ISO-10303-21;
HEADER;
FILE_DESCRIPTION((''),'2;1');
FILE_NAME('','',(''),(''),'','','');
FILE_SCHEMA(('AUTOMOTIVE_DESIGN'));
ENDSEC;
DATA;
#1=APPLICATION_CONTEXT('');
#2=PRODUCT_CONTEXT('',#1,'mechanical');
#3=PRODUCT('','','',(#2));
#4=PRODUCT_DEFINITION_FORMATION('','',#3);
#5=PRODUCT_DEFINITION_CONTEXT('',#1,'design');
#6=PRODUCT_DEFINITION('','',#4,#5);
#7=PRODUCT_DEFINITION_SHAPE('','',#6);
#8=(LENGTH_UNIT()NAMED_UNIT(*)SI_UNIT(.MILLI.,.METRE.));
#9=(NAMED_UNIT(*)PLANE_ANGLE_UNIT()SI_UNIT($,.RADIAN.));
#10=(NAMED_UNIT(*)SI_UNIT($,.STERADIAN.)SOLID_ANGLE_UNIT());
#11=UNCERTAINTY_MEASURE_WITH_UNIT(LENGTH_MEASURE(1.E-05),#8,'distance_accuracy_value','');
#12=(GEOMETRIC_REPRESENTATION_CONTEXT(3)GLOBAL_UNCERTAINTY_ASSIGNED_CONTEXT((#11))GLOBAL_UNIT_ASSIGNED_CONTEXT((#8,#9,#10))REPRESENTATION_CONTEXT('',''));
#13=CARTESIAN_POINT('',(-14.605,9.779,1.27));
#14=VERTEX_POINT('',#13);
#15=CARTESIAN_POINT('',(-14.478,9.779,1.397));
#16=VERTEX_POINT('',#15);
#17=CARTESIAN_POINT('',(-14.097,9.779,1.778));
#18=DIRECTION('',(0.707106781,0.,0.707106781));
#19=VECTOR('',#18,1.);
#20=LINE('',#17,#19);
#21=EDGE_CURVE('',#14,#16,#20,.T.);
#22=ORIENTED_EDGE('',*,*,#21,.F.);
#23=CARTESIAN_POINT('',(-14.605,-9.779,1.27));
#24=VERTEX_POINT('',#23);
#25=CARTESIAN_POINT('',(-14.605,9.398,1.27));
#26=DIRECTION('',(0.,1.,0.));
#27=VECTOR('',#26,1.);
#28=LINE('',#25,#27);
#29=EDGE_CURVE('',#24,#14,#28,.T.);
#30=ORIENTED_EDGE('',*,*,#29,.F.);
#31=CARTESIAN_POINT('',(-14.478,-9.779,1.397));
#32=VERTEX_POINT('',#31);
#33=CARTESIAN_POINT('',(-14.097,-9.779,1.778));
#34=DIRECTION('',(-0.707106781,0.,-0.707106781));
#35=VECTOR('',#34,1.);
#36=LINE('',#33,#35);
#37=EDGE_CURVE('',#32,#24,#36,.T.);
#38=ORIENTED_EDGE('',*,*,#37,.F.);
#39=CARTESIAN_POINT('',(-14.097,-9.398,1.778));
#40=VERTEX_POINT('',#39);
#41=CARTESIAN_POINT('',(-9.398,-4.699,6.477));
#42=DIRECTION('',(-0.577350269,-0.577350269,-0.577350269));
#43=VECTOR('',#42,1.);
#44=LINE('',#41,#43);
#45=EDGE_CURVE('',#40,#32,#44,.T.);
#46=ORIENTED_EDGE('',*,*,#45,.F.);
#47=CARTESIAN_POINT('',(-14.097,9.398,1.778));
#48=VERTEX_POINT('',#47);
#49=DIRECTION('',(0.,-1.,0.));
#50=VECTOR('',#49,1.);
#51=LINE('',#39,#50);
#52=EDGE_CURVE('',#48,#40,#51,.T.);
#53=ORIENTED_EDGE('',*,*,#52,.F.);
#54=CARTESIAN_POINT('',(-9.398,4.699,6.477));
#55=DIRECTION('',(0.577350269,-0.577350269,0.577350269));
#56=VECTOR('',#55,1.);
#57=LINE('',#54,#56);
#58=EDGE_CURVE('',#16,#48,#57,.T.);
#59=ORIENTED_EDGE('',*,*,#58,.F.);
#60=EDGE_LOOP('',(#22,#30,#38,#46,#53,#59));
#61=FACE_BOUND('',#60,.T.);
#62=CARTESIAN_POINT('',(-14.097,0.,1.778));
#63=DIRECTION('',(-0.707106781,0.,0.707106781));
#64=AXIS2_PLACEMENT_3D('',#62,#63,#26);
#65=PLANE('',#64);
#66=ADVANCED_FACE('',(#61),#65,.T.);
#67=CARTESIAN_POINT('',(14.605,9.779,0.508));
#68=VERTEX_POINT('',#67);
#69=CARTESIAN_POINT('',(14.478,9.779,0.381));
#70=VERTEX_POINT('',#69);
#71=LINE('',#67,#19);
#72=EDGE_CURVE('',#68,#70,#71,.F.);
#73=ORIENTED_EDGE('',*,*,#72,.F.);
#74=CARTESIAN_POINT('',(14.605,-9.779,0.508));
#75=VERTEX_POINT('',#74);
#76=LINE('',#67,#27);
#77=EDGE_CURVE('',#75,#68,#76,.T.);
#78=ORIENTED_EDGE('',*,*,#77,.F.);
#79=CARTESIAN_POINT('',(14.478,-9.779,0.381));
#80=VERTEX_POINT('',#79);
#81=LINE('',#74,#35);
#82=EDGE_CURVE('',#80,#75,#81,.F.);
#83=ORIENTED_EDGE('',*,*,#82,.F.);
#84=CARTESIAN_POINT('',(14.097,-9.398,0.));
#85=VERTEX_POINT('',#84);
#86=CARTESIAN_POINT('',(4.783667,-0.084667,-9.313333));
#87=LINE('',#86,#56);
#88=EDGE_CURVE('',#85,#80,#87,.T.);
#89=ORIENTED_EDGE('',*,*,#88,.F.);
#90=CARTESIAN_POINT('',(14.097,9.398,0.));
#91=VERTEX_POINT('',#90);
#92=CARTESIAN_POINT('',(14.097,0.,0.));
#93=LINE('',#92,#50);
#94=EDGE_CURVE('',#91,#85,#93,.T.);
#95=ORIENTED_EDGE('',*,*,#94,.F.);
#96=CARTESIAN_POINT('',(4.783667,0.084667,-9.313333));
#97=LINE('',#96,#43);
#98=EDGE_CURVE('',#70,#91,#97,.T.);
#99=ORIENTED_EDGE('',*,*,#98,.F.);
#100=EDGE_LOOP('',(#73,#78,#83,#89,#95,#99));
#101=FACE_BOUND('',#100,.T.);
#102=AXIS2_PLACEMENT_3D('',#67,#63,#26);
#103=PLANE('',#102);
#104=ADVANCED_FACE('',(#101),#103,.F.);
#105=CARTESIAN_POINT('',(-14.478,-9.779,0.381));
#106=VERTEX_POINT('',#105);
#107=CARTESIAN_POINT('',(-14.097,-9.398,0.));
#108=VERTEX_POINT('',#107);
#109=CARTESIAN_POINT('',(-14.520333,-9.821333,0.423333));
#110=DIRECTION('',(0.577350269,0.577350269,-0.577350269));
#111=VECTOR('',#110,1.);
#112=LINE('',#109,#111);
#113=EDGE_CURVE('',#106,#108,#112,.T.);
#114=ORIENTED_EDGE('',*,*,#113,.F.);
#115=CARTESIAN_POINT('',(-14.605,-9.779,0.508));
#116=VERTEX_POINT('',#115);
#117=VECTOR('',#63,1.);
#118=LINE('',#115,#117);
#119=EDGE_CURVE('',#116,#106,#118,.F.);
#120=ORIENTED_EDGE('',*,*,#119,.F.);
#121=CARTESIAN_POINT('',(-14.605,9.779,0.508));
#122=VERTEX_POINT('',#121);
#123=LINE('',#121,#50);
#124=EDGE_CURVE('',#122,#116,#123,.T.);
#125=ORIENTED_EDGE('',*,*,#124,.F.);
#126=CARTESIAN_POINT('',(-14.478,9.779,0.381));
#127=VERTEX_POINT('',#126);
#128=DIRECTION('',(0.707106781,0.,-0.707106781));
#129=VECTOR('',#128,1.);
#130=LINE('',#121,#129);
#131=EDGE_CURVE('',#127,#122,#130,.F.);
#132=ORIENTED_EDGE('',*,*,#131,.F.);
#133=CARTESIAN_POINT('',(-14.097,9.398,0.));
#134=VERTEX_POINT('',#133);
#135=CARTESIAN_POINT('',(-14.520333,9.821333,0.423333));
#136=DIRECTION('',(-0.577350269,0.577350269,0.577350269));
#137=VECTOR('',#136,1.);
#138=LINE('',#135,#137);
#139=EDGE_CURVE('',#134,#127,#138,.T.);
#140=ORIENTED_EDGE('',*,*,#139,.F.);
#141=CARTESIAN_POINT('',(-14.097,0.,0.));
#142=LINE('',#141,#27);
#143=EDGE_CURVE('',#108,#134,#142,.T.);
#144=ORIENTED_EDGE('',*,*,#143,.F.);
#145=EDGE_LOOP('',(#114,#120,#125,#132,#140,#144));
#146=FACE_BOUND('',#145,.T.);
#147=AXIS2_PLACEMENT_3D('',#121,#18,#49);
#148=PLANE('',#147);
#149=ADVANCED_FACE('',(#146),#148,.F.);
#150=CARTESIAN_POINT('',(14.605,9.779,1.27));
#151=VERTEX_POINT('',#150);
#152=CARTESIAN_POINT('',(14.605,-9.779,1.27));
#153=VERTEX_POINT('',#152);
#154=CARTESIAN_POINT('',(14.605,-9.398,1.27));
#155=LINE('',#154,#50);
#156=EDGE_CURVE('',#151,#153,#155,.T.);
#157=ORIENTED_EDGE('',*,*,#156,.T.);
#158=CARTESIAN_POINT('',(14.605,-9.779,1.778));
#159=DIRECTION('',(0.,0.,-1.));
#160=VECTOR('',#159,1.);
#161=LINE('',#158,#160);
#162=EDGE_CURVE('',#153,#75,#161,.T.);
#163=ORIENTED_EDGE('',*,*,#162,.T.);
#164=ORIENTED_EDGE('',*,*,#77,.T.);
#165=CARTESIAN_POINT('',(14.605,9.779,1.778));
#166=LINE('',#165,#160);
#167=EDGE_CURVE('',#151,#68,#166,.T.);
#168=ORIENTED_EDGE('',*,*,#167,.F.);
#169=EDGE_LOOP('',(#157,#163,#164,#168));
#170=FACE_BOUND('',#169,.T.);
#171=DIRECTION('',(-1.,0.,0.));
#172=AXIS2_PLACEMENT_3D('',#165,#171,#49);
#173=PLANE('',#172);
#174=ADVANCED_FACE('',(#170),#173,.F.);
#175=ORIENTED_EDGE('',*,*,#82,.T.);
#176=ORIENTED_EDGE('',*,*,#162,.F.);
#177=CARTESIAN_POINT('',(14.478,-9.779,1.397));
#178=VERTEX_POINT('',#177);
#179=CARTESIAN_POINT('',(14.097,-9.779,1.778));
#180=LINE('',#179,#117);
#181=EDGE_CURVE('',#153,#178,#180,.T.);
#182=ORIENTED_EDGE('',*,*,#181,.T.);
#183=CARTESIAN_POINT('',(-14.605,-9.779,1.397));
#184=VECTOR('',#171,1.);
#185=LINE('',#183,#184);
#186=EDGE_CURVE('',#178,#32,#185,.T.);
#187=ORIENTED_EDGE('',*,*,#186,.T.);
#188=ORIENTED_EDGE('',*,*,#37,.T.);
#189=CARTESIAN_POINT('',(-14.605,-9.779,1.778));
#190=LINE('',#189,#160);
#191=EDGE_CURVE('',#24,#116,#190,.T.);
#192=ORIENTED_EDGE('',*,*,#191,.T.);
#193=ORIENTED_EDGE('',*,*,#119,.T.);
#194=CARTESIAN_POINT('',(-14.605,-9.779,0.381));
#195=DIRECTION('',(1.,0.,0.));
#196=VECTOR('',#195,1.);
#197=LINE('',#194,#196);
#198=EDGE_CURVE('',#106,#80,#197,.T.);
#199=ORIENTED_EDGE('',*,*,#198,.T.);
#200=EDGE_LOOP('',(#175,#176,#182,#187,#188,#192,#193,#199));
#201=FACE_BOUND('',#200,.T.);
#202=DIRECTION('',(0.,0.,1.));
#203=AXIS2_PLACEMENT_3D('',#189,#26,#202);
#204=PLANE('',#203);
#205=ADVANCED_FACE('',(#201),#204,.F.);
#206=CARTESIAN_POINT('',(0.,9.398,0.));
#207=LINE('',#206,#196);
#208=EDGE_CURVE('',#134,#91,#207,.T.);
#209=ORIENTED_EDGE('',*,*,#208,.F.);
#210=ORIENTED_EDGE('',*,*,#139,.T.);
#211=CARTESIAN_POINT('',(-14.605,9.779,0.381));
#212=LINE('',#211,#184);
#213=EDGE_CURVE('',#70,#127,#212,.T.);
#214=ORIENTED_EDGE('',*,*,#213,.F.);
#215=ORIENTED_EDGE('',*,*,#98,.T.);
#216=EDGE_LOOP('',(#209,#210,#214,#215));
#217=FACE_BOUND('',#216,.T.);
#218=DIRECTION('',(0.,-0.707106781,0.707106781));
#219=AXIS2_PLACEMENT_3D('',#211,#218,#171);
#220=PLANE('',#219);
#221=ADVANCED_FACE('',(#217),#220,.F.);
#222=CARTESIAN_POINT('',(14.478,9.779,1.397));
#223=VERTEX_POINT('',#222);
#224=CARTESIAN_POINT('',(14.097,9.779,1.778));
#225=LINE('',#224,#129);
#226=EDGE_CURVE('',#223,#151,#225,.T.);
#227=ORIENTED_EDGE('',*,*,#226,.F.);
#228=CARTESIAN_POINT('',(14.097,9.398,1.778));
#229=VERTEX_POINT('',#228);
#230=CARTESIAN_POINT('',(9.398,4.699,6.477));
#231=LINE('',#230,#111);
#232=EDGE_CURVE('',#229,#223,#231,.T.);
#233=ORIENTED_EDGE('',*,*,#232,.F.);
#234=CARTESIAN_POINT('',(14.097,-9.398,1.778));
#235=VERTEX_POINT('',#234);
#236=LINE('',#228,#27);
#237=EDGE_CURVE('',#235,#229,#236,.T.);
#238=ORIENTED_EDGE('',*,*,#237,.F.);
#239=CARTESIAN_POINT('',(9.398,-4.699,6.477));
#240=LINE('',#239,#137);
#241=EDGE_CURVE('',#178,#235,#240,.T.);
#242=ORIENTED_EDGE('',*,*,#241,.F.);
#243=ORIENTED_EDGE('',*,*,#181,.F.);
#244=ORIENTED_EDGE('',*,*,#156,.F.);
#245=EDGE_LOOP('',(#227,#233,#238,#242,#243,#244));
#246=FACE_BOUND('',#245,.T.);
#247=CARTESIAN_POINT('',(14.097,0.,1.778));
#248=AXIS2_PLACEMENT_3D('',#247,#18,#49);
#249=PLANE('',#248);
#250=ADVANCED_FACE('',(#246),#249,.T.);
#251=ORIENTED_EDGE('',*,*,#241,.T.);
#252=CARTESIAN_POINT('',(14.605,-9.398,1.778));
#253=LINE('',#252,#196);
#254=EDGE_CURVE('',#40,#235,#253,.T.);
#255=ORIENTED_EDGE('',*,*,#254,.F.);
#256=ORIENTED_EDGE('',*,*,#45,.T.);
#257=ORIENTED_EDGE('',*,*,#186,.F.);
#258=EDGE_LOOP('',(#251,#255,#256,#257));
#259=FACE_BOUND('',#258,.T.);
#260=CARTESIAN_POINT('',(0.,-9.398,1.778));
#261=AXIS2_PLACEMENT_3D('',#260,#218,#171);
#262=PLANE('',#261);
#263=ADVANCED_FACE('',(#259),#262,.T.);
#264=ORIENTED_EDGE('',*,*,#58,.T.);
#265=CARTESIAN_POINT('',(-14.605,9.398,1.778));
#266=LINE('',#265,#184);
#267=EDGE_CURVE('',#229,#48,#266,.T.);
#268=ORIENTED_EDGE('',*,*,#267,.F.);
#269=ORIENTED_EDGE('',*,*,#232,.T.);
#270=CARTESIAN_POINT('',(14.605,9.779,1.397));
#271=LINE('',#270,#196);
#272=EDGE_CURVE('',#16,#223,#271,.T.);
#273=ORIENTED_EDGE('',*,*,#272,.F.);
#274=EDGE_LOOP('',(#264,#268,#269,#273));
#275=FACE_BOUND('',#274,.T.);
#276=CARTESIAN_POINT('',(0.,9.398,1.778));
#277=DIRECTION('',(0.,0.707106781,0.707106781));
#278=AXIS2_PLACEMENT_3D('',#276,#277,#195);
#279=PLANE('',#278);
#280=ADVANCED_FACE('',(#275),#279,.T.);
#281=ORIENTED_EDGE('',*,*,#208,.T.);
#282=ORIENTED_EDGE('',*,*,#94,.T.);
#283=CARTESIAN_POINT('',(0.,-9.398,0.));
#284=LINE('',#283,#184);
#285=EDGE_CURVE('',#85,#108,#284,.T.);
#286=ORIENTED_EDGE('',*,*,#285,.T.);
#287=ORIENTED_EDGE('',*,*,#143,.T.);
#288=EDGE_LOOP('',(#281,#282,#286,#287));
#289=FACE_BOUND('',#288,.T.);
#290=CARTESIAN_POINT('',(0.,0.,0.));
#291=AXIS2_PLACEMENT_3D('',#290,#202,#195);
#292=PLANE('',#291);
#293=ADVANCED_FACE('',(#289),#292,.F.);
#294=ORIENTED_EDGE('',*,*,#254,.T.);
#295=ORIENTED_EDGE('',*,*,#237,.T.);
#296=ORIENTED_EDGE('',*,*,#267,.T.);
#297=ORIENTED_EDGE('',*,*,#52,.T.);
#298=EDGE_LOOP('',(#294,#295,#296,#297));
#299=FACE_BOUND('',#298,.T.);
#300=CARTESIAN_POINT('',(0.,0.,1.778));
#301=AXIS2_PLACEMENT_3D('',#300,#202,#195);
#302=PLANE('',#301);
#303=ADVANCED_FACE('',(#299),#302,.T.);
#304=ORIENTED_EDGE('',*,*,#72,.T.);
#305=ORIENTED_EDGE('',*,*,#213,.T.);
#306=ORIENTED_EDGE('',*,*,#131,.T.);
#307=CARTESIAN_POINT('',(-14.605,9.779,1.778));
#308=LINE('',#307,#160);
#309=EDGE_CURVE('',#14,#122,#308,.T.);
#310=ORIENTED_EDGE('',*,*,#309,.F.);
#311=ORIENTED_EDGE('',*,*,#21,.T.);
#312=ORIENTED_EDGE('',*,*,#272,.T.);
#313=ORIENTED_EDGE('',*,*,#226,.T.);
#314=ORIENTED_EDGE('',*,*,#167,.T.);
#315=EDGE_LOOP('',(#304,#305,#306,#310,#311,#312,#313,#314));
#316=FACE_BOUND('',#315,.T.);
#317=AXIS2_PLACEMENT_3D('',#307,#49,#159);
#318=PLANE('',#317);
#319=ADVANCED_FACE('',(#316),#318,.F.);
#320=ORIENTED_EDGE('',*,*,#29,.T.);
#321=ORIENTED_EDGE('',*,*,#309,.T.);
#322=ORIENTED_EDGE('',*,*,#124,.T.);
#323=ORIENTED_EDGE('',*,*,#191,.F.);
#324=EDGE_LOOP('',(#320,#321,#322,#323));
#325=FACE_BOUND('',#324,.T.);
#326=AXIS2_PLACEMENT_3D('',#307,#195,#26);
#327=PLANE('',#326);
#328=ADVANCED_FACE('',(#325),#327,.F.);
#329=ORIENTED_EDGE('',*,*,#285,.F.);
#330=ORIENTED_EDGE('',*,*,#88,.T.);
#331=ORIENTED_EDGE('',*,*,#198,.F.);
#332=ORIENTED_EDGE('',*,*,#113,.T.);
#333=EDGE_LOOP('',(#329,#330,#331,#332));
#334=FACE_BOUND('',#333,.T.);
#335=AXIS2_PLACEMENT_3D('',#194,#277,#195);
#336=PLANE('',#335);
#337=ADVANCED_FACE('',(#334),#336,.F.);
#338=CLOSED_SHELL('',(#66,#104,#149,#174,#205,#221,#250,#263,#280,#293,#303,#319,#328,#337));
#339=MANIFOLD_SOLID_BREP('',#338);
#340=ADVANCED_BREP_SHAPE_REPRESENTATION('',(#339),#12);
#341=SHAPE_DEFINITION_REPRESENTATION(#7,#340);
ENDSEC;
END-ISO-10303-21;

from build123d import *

# Parameters (mm, degrees)
SKETCH3_W           = 29.21
SKETCH3_H           = 19.558
BOSS_EXTRUDE1_DEPTH = 1.778
CHAMFER1_SIZE       = 0.381
CHAMFER2_SIZE       = 0.508


with BuildPart() as part:
    # Sketch3 → Boss-Extrude1 (new body)
    with BuildSketch(Plane.XY):
        Rectangle(SKETCH3_W, SKETCH3_H)
    extrude(amount=BOSS_EXTRUDE1_DEPTH)

    # Chamfer1
    chamfer1_edges = [part.edges().sort_by_distance(p)[0] for p in [
        (0, -9.779, 1.778),
        (0, -9.779, 0),
        (0, 9.779, 0),
        (0, 9.779, 1.778),
    ]]
    chamfer(chamfer1_edges, length=CHAMFER1_SIZE)

    # Chamfer2
    chamfer2_edges = [part.edges().sort_by_distance(p)[0] for p in [
        (14.605, 0, 1.778),
        (14.605, 0, 0),
        (-14.605, 0, 0),
        (-14.605, 0, 1.778),
    ]]
    chamfer(chamfer2_edges, length=CHAMFER2_SIZE)


solid = part.part
